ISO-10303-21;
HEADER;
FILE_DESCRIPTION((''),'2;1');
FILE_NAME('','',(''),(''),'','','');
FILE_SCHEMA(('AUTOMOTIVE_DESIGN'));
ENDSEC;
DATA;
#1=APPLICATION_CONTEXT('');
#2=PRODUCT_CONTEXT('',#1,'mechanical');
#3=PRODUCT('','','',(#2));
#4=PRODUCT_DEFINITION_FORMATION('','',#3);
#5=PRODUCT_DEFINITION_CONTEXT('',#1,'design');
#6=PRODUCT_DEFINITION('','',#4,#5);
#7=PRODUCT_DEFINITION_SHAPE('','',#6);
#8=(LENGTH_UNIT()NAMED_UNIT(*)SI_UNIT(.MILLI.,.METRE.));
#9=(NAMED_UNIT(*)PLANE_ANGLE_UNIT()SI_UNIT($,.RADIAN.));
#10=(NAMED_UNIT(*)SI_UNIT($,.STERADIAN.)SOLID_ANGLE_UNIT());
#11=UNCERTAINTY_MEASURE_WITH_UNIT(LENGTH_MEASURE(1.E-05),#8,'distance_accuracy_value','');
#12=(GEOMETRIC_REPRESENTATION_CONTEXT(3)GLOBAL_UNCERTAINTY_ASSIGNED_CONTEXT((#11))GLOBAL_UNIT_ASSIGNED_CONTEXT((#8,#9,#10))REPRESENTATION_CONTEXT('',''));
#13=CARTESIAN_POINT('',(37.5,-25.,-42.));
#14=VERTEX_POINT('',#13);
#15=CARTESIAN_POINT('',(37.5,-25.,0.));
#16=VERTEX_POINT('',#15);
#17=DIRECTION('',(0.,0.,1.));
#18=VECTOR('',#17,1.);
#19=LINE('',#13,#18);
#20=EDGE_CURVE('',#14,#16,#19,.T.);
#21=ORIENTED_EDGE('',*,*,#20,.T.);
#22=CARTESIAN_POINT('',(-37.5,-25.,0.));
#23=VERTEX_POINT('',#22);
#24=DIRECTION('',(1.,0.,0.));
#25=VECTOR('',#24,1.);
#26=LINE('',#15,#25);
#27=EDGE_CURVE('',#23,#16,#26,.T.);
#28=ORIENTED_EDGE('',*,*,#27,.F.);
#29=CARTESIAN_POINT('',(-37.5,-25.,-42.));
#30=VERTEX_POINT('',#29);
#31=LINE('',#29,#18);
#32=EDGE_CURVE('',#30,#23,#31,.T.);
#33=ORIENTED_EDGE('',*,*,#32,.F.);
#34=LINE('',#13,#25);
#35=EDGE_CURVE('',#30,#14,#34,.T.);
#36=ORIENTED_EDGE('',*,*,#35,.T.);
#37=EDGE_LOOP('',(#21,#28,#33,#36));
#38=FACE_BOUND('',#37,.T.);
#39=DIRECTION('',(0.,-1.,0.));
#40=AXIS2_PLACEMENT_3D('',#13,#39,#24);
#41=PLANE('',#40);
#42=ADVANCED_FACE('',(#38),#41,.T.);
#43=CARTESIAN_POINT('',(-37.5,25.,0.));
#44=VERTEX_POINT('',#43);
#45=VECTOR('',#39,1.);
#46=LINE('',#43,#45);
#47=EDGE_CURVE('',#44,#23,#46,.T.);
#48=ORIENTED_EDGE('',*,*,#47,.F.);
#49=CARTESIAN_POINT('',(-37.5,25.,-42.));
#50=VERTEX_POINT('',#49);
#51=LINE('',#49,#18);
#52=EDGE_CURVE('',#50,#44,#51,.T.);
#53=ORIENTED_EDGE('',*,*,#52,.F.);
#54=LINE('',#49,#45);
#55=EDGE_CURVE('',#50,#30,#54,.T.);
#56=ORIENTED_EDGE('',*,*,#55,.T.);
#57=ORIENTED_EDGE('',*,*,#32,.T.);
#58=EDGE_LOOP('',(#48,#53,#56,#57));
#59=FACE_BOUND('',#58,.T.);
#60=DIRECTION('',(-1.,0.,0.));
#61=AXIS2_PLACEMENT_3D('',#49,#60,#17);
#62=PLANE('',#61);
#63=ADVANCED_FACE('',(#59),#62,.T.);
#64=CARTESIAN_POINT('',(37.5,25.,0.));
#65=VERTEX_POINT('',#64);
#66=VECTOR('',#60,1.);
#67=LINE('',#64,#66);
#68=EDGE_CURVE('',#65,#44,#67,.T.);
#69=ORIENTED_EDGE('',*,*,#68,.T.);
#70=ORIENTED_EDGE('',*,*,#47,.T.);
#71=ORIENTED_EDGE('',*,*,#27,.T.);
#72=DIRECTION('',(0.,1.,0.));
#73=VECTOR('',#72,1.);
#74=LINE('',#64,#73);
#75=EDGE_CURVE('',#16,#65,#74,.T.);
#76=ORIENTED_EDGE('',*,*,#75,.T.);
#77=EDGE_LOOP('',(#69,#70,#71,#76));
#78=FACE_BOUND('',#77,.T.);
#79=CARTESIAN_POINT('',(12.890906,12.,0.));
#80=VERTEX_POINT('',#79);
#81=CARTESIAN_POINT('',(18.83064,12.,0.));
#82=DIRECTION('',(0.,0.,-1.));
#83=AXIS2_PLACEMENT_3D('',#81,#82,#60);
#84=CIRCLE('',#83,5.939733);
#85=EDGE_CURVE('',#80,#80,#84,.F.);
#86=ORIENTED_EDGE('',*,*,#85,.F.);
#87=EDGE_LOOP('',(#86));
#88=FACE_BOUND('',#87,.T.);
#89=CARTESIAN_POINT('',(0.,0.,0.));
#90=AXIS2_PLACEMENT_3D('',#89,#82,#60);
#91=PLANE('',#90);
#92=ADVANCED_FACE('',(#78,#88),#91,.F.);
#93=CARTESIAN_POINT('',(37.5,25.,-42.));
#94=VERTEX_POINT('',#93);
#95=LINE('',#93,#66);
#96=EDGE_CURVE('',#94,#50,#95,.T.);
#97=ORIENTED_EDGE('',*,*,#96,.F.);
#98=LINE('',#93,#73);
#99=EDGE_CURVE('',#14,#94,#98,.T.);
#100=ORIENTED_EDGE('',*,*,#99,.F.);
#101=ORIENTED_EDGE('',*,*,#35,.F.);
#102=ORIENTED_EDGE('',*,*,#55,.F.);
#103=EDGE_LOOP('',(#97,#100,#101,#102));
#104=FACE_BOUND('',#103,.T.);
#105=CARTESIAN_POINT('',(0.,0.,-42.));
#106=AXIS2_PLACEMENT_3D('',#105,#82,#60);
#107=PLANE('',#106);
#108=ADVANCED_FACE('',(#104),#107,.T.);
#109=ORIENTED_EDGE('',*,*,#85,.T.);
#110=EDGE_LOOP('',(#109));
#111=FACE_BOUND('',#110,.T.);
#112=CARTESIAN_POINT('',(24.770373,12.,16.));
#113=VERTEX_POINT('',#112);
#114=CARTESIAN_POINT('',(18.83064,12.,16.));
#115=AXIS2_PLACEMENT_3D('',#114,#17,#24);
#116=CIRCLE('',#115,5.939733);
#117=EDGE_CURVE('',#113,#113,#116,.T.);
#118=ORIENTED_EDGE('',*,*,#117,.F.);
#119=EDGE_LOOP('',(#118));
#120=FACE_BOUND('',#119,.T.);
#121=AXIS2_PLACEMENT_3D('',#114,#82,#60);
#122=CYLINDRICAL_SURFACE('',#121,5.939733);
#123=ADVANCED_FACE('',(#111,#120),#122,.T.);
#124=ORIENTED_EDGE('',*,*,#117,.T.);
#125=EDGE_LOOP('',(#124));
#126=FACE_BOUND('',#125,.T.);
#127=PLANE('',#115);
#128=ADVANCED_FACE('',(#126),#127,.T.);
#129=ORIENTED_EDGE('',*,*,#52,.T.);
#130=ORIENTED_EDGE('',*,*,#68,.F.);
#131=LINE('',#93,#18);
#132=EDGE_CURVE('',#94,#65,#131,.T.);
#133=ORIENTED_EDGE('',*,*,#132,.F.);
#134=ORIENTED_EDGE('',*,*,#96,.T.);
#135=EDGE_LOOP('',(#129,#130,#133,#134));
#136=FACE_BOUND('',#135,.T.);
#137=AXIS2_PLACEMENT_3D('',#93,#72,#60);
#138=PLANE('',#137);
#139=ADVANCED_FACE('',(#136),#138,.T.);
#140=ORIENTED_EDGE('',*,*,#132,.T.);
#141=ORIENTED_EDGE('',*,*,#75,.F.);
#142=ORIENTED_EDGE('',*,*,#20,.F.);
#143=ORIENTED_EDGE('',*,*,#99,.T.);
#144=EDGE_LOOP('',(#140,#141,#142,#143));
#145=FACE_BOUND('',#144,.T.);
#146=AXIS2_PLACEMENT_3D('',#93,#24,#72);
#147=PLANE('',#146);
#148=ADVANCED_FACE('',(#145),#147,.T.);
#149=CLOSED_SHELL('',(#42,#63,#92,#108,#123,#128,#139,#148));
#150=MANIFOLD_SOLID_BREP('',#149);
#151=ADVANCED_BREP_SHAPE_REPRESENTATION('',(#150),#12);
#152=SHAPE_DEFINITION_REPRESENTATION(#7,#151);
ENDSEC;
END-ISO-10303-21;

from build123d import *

# Parameters (mm, degrees)
CROQUIS1_W              = 75
CROQUIS1_H              = 50
SALIENTE_EXTRUIR1_DEPTH = 42
CROQUIS2_R              = 5.939733441
SALIENTE_EXTRUIR2_DEPTH = 16


with BuildPart() as part:
    # Croquis1 → Saliente-Extruir1 (new body)
    with BuildSketch(Plane.XY):
        Rectangle(CROQUIS1_W, CROQUIS1_H)
    extrude(amount=-SALIENTE_EXTRUIR1_DEPTH)

    # Croquis2 → Saliente-Extruir2 (add)
    with BuildSketch(Plane.XY):
        with Locations(Location((18.830639627, 12, 0), (0, 0, 180))):
            Circle(CROQUIS2_R)
    extrude(amount=SALIENTE_EXTRUIR2_DEPTH)


solid = part.part
